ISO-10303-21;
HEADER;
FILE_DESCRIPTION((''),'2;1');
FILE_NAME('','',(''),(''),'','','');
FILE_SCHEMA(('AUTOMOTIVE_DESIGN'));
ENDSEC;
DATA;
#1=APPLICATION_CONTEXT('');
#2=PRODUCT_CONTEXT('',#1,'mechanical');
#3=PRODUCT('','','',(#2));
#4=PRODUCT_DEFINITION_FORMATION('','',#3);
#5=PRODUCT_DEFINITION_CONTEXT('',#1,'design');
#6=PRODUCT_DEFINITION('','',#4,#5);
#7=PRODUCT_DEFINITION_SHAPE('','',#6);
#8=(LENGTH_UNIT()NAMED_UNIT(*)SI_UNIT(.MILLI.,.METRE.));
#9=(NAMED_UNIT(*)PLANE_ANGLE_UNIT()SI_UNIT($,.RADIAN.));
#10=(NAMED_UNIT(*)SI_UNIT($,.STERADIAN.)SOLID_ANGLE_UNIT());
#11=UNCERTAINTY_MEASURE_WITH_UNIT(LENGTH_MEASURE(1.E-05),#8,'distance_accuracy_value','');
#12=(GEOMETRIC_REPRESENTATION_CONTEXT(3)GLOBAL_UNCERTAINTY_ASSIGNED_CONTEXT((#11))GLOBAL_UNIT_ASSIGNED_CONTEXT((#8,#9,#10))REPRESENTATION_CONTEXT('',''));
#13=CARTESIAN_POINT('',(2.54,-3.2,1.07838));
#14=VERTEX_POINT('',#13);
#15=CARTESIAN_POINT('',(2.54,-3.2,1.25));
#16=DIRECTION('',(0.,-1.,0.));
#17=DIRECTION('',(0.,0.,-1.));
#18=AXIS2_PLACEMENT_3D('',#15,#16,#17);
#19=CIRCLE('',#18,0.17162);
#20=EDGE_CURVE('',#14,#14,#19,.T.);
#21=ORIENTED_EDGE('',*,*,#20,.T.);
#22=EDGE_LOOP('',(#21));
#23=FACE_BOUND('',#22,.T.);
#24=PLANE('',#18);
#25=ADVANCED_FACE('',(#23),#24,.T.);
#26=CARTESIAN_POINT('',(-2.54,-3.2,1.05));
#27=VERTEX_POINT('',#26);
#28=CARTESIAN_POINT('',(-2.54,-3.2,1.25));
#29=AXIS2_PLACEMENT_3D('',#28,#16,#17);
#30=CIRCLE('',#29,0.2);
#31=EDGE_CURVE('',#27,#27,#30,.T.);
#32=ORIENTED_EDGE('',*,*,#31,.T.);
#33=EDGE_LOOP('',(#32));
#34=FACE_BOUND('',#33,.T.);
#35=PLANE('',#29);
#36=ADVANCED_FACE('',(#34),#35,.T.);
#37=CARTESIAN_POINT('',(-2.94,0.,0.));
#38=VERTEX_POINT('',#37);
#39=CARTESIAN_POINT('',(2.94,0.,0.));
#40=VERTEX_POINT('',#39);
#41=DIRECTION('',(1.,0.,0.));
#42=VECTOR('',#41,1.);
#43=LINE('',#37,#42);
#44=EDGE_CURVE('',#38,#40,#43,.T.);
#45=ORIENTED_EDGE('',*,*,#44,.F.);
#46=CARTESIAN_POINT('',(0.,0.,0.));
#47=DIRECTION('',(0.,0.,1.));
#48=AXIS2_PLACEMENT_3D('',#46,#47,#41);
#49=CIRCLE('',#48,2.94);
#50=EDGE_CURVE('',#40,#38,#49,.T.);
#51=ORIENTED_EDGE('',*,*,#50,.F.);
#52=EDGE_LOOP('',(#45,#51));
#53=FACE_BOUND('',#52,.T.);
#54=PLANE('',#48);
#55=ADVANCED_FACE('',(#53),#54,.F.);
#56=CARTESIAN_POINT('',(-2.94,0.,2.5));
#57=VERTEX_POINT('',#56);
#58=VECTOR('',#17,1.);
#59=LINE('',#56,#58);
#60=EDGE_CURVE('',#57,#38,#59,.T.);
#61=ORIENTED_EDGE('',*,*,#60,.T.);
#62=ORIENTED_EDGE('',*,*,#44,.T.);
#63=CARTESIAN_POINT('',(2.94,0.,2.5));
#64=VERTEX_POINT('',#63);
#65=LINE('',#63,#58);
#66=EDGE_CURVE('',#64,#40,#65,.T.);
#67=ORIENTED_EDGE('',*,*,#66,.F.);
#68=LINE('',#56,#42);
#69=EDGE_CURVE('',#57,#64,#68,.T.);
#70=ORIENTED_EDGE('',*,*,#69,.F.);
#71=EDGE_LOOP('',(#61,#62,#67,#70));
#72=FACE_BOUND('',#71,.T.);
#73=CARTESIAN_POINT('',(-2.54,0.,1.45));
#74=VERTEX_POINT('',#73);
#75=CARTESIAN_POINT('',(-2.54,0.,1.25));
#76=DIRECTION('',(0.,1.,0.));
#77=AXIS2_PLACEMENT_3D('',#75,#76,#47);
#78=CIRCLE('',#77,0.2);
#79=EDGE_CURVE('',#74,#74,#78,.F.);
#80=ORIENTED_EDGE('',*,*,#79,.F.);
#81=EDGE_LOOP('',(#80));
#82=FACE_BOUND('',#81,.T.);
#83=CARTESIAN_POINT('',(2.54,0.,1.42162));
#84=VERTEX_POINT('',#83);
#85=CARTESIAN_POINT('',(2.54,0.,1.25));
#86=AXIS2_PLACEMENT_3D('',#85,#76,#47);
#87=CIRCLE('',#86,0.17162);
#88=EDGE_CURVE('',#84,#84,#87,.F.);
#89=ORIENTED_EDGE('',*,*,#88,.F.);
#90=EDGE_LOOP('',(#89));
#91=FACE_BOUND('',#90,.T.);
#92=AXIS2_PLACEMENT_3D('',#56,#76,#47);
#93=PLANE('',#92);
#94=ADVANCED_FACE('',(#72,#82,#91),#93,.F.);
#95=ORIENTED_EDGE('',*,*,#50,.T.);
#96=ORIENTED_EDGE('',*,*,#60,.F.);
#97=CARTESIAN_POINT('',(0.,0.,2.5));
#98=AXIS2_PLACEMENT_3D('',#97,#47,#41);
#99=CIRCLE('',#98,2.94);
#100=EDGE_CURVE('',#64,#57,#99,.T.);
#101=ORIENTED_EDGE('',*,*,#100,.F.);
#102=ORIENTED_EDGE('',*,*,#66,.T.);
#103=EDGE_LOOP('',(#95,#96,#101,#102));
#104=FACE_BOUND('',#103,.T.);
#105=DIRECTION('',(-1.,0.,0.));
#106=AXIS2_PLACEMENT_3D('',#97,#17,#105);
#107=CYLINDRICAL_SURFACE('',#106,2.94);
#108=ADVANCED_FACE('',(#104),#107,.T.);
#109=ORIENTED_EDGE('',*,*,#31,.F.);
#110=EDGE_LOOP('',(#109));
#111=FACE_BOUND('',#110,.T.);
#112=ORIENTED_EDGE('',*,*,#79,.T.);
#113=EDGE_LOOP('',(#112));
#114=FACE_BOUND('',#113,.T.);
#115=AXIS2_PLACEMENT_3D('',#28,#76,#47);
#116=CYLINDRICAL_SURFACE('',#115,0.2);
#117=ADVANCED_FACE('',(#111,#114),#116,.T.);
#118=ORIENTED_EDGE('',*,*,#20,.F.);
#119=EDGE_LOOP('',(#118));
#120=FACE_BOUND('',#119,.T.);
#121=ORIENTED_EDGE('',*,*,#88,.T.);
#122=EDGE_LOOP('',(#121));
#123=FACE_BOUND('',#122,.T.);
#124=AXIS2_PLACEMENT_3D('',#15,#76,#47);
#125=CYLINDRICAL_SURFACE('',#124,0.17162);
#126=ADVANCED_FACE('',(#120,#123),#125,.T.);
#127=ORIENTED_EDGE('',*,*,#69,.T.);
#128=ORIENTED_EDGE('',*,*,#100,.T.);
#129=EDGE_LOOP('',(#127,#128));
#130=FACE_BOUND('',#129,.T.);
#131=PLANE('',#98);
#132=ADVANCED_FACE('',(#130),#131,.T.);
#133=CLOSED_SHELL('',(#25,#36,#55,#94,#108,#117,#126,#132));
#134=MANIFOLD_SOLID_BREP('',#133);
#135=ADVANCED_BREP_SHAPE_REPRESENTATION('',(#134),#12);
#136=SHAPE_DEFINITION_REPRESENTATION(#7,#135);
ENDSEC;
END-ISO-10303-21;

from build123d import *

# Parameters (mm, degrees)
BOSS_EXTRUDE1_DEPTH = 2.5
SKETCH2_R           = 0.2
SKETCH2_R_2         = 0.171619636
BOSS_EXTRUDE2_DEPTH = 3.2


with BuildPart() as part:
    # Sketch1 → Boss-Extrude1 (new body)
    with BuildSketch(Plane.XY):
        with BuildLine():
            Line((-2.94, 0), (2.94, 0))
            ThreePointArc((2.94, 0), (0, 2.94), (-2.94, 0))
        make_face()
    extrude(amount=BOSS_EXTRUDE1_DEPTH)

    # Sketch2 → Boss-Extrude2 (add)
    with BuildSketch(Plane.XZ):
        with Locations((-2.54, 1.25)):
            Circle(SKETCH2_R)
        with Locations((2.54, 1.25)):
            Circle(SKETCH2_R_2)
    extrude(amount=BOSS_EXTRUDE2_DEPTH)


solid = part.part
